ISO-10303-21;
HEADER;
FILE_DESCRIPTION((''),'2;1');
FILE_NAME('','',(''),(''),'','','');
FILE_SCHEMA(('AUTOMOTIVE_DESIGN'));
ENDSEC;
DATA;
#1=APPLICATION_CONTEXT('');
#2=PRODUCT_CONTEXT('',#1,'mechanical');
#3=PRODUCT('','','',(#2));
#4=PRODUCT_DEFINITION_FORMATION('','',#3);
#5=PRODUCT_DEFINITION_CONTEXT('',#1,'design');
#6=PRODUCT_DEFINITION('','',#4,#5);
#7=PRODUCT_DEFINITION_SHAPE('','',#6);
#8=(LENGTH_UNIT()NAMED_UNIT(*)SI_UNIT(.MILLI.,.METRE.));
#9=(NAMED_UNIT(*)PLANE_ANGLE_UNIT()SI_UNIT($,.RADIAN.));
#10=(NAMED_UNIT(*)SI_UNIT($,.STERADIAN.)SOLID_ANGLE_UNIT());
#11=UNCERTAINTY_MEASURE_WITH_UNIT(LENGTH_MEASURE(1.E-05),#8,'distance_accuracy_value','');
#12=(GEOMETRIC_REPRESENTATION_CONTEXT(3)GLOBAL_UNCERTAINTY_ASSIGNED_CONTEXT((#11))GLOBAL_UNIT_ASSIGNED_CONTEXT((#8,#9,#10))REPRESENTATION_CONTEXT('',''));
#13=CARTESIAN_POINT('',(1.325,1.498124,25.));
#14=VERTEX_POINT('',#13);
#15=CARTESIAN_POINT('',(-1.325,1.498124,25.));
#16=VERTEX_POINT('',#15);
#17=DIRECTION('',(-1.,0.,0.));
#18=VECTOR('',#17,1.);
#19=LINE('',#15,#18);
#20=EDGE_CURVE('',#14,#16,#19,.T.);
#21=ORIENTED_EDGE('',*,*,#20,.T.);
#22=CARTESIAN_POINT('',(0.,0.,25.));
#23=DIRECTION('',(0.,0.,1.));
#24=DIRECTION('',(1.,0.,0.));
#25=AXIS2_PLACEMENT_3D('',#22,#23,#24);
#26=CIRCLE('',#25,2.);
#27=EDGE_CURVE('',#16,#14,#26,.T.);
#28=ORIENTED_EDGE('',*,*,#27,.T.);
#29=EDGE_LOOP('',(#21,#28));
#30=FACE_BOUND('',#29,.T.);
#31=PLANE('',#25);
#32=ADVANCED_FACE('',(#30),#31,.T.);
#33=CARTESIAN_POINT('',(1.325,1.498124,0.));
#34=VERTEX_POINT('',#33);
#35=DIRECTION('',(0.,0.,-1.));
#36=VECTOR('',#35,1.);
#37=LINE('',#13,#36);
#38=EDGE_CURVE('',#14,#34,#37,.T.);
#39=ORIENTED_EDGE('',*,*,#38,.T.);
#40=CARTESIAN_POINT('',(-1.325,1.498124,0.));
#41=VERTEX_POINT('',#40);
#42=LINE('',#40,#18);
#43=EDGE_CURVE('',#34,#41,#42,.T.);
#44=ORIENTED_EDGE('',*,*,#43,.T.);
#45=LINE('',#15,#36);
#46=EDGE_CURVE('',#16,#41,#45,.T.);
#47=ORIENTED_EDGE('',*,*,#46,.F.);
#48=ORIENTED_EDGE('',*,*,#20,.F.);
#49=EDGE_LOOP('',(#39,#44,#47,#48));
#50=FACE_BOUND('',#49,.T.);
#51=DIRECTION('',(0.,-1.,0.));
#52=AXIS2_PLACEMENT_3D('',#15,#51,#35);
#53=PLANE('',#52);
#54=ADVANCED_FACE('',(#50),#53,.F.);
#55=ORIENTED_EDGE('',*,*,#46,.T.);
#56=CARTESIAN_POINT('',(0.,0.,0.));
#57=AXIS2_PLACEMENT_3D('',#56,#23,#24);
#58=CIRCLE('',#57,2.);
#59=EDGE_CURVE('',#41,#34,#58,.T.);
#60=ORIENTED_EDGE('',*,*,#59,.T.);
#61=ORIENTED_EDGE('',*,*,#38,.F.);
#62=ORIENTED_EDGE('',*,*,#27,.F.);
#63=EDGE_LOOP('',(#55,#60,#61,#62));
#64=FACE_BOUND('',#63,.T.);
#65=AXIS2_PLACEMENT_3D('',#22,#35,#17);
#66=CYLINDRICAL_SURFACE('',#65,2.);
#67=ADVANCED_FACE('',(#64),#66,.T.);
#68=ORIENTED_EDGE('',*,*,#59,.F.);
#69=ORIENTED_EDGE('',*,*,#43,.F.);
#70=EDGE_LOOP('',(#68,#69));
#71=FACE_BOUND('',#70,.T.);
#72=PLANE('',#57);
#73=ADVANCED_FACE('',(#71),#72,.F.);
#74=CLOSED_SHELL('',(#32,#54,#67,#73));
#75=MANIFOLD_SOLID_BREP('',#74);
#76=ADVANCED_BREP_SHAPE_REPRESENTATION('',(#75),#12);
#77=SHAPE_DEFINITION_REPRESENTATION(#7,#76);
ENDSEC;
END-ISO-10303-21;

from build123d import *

# Parameters (mm, degrees)
BOSS_EXTRUDE1_DEPTH = 25


with BuildPart() as part:
    # Sketch1 → Boss-Extrude1 (new body)
    with BuildSketch(Plane.XY):
        with BuildLine():
            Line((-1.325, 1.498123827), (1.325, 1.498123827))
            ThreePointArc((1.325, 1.498123827), (0, -2), (-1.325, 1.498123827))
        make_face()
    extrude(amount=BOSS_EXTRUDE1_DEPTH)


solid = part.part
